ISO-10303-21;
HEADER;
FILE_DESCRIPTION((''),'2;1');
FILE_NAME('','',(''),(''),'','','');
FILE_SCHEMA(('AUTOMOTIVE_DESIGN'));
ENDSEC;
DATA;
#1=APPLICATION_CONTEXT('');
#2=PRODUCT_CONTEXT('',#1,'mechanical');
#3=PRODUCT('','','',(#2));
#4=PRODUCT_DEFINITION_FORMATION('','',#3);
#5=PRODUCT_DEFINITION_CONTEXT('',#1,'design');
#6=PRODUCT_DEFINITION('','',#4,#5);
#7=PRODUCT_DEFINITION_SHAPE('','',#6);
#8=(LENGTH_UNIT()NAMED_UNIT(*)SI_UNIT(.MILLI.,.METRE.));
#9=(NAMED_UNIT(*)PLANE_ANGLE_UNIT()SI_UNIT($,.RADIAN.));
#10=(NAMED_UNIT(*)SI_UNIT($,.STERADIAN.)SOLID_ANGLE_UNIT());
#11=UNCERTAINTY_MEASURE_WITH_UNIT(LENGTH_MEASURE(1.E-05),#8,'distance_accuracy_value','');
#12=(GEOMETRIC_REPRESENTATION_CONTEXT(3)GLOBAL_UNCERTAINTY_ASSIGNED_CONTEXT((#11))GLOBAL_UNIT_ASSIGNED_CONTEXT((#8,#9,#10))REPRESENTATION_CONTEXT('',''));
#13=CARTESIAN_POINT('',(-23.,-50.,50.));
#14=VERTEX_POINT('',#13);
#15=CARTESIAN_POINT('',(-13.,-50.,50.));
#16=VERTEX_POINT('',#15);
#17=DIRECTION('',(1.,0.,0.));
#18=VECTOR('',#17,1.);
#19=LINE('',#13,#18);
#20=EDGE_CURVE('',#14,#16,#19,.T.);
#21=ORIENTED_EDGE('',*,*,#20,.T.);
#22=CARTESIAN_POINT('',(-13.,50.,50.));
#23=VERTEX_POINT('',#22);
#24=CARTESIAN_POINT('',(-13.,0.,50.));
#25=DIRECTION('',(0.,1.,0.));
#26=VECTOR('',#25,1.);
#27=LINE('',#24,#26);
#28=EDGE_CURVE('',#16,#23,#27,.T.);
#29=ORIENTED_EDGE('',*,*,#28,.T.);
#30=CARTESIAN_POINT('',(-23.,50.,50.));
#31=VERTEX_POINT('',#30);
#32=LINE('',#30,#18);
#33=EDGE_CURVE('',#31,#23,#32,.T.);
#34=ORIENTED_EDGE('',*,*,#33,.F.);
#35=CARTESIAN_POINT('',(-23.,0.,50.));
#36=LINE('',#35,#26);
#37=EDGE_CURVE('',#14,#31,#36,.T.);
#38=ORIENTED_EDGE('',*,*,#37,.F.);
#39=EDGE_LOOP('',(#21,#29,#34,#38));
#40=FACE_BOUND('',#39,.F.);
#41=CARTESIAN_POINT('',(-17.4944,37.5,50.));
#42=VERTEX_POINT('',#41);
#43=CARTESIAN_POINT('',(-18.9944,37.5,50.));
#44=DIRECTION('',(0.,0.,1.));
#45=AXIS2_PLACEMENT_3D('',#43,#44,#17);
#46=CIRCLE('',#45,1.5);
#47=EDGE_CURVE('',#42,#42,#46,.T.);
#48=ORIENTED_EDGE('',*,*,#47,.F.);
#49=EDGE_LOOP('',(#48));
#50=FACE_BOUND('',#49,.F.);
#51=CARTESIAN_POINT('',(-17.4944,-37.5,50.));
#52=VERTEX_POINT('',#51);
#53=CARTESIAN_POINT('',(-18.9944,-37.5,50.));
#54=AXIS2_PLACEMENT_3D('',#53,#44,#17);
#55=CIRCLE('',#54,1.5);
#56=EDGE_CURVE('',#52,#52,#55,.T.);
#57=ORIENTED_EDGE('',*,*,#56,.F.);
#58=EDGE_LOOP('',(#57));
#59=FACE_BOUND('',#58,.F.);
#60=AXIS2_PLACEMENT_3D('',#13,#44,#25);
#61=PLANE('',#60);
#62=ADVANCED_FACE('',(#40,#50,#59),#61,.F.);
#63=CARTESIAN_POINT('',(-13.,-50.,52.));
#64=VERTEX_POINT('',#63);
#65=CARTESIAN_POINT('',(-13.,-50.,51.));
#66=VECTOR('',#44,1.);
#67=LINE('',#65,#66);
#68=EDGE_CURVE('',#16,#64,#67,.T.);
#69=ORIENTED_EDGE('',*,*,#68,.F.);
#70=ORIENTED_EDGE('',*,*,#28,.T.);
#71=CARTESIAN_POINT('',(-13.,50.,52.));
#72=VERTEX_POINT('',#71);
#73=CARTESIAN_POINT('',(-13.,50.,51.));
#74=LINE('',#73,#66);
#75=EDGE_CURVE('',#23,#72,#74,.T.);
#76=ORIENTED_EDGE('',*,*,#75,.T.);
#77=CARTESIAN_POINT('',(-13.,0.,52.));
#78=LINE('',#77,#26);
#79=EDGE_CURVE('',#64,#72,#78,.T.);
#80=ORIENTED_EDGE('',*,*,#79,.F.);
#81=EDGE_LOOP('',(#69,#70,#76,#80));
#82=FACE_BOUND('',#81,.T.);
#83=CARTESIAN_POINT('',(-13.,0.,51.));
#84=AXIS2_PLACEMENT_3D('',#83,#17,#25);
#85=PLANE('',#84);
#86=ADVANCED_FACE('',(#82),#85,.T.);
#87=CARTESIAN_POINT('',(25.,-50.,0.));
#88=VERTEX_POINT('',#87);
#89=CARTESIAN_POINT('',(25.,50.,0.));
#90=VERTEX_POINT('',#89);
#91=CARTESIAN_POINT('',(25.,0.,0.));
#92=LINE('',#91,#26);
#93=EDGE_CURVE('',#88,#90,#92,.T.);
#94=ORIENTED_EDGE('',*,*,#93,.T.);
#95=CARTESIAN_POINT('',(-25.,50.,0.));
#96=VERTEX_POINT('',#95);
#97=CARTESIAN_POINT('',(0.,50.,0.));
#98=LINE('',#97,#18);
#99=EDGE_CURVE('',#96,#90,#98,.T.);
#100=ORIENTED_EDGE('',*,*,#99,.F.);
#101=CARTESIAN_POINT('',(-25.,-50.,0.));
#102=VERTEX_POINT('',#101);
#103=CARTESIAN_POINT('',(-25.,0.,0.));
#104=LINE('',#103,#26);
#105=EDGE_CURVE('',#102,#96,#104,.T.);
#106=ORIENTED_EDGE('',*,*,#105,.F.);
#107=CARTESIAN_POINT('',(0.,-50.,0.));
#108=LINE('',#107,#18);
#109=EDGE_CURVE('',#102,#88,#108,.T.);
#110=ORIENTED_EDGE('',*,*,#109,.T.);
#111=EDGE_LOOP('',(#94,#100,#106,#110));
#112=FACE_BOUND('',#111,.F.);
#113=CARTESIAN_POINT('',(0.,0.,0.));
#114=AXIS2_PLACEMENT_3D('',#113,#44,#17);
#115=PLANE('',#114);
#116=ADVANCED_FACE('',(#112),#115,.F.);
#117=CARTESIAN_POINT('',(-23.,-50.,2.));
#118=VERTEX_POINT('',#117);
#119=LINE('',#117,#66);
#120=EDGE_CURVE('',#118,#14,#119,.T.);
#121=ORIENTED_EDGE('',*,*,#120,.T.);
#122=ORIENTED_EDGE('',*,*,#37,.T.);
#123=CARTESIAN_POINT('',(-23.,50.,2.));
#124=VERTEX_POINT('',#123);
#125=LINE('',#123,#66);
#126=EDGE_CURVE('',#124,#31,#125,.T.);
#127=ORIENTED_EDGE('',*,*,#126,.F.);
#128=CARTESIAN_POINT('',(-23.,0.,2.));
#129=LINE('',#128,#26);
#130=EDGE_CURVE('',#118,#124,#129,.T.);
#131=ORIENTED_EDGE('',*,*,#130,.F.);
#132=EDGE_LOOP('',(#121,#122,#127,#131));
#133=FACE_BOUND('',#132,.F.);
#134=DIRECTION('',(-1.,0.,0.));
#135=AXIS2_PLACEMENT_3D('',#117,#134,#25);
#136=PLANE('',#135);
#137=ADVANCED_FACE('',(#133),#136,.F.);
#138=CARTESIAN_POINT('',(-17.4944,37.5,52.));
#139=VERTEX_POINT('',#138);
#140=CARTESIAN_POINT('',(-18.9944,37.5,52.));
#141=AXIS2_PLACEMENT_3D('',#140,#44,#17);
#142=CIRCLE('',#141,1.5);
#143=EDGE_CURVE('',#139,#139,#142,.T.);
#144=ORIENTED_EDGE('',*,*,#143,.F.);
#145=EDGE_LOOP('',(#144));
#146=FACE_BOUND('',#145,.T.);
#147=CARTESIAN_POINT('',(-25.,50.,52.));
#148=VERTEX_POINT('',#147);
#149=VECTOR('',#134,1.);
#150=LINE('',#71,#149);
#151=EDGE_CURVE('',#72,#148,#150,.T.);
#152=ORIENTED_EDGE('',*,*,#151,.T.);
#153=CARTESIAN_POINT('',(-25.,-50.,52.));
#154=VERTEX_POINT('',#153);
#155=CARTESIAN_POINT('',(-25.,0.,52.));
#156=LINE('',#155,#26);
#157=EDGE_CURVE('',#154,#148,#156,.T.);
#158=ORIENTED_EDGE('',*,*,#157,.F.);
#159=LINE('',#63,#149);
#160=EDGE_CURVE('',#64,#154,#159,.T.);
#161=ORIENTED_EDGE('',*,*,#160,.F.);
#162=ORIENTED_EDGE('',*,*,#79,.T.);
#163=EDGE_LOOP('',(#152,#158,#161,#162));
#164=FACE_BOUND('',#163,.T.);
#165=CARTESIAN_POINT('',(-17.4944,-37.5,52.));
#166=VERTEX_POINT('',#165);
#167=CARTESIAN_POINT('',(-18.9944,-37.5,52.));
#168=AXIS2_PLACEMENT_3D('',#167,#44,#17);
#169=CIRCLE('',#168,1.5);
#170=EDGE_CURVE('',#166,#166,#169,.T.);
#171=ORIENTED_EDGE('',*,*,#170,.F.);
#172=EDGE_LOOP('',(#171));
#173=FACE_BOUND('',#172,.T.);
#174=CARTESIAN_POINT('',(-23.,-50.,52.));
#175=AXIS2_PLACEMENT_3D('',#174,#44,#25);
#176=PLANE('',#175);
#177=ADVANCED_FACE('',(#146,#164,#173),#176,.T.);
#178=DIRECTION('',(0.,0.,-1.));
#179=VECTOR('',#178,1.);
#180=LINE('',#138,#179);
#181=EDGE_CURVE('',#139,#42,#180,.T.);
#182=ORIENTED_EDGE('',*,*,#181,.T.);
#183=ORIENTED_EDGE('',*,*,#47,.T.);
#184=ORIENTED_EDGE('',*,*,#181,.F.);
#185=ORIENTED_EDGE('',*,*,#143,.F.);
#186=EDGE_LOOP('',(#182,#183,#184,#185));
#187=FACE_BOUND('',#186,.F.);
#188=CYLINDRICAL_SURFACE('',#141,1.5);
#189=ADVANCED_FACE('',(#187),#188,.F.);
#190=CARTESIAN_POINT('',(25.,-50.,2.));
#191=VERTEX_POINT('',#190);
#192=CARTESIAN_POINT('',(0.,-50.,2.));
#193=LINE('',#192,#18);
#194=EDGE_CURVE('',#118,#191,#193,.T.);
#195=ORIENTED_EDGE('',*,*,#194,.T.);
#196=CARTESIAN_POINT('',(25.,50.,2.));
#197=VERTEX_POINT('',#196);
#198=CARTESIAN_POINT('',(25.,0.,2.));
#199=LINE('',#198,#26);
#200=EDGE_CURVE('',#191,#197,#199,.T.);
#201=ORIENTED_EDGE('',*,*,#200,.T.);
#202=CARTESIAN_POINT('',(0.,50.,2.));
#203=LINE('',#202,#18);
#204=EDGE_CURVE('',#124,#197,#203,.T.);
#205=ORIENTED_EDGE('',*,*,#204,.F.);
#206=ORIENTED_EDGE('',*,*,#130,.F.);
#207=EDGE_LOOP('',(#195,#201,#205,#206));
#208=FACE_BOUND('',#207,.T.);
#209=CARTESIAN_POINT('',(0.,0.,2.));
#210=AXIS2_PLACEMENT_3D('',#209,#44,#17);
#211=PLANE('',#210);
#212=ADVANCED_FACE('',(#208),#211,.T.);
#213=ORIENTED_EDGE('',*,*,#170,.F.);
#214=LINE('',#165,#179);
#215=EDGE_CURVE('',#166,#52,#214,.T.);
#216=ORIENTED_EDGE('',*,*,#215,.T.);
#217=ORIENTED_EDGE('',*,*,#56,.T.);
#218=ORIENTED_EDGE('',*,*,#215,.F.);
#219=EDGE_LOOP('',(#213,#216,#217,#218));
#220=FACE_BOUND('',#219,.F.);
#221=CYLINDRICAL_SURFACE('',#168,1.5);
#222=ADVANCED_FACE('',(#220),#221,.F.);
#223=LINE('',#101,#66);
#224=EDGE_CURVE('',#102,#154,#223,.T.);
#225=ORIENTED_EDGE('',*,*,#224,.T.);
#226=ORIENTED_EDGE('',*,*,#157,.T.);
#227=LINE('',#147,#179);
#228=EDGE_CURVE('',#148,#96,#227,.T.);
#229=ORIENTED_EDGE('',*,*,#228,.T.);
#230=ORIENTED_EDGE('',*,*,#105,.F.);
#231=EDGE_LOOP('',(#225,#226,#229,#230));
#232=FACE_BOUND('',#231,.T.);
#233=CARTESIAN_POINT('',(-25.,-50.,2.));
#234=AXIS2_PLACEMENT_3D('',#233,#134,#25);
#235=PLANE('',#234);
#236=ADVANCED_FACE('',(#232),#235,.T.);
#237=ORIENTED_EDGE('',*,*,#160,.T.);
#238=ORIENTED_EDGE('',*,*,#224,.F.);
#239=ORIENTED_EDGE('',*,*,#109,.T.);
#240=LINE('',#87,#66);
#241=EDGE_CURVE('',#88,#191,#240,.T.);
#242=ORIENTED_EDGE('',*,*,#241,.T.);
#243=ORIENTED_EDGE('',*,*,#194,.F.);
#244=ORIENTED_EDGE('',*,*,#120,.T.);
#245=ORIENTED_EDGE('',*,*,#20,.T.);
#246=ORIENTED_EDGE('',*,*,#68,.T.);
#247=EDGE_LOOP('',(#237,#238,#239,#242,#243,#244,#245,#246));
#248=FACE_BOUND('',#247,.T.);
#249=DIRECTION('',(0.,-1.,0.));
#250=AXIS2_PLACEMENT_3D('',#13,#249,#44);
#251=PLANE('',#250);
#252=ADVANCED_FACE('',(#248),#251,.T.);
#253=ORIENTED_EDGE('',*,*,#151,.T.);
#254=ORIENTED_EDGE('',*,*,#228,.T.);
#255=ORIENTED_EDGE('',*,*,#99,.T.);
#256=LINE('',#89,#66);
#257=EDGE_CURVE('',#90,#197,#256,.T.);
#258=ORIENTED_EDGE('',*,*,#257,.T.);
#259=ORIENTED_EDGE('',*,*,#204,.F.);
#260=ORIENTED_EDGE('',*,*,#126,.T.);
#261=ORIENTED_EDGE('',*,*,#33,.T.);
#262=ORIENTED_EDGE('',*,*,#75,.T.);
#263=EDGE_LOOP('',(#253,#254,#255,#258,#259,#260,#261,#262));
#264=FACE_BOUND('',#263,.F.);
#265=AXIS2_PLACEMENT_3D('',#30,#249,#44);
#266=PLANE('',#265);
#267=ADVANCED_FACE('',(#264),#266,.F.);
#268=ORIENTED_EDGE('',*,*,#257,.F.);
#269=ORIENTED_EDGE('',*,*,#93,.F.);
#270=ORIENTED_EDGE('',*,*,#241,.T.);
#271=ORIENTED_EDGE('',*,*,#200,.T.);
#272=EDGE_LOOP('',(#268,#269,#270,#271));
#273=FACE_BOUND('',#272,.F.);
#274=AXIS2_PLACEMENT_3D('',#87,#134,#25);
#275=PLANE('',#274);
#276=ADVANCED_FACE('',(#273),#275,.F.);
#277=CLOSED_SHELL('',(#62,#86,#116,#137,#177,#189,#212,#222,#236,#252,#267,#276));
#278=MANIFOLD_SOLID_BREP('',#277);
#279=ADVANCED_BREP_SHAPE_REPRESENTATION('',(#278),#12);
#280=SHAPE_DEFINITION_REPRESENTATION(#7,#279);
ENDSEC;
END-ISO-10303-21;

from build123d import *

# Parameters (mm, degrees)
F0_W     = 50
F0_H     = 100
F1_DEPTH = 2
F2_W     = 2
F2_H     = 100
F3_DEPTH = 50
F4_W     = 100
F4_H     = 2
F5_DEPTH = 10
F6_R     = 1.5
F7_DEPTH = 2


with BuildPart() as f1:
    # F0 (on Top) → F1 (new body)
    with BuildSketch(Plane.XY):
        Rectangle(F0_W, F0_H)
    extrude(amount=F1_DEPTH)

    # F2 (on face) → F3 (join)
    with BuildSketch(Plane.XY.offset(2)):
        with Locations((-24, 0)):
            Rectangle(F2_W, F2_H)
    extrude(amount=F3_DEPTH)

    # F4 (on face) → F5 (join)
    with BuildSketch(Plane.YZ.offset(-23)):
        with Locations((0, 51)):
            Rectangle(F4_W, F4_H)
    extrude(amount=F5_DEPTH)

    # F6 (on face) → F7 (cut, through all)
    with BuildSketch(Plane.XY.offset(52)):
        with Locations((-18.9944, 37.5)):
            Circle(F6_R)
        with Locations((-18.9944, -37.5)):
            Circle(F6_R)
    extrude(amount=-F7_DEPTH, mode=Mode.SUBTRACT)


solid = f1.part
